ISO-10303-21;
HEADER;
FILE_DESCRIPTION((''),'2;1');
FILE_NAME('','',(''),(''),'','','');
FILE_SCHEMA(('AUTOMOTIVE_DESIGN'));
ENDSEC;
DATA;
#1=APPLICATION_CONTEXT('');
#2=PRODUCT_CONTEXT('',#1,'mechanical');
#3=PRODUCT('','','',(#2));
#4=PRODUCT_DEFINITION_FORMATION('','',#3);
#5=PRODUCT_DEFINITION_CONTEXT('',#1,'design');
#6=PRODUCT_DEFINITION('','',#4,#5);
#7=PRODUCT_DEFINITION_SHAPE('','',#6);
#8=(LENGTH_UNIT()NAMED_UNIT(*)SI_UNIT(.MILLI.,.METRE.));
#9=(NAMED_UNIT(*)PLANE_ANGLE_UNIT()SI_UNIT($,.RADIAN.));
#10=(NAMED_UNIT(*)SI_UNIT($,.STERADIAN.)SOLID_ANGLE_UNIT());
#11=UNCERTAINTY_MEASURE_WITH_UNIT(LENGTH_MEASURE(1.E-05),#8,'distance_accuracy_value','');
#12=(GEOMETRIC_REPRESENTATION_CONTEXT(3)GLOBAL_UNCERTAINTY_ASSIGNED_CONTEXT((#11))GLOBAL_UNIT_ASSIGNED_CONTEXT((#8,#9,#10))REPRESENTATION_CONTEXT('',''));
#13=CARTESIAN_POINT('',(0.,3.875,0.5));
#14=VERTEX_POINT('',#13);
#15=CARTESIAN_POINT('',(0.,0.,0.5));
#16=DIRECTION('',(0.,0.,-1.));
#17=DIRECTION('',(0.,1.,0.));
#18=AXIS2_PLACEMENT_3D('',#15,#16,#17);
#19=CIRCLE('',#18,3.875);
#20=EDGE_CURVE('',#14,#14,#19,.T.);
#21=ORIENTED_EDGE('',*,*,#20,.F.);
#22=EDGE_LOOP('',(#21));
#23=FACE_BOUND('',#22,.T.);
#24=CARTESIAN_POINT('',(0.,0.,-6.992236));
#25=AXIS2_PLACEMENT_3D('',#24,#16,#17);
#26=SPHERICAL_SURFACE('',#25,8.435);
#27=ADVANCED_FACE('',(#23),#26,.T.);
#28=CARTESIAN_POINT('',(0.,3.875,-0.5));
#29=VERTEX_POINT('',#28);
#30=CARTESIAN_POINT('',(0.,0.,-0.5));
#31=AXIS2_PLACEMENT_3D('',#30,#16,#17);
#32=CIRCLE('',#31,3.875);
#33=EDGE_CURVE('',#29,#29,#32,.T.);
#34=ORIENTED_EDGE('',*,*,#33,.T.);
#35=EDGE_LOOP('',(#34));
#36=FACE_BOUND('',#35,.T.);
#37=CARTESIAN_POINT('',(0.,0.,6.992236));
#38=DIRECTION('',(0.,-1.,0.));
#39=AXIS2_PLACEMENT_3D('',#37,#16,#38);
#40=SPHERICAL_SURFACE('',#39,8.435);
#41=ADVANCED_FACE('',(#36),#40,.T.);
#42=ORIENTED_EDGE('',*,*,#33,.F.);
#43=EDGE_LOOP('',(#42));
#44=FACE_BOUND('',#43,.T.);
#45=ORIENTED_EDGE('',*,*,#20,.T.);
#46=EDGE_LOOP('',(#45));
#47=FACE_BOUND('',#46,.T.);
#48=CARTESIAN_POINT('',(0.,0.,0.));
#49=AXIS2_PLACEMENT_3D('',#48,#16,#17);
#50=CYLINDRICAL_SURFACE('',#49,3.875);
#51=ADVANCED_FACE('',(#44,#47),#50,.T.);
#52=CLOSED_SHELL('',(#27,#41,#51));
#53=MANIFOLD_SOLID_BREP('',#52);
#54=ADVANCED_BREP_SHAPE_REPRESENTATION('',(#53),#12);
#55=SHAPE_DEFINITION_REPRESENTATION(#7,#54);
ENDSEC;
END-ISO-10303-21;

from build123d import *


with BuildPart() as part:
    # Sketch3 → Revolve1 (revolve)
    with BuildSketch(Plane(origin=(0, 0, 0), x_dir=(0, 0, -1), z_dir=(1, 0, 0))):
        with BuildLine():
            Line((0, 3.875), (0, 0))
            Line((0, 0), (1.442764019, 0))
            ThreePointArc((1.442764019, 0), (1.203684818, 1.994017866), (0.5, 3.875))
            Line((0.5, 3.875), (0, 3.875))
        make_face()
        with BuildLine():
            ThreePointArc((-0.5, 3.875), (-1.203684818, 1.994017866), (-1.442764019, 0))
            Line((-1.442764019, 0), (0, 0))
            Line((0, 0), (0, 3.875))
            Line((0, 3.875), (-0.5, 3.875))
        make_face()
    revolve(axis=Axis((0, 0, 0), (0, 0, 1)))


solid = part.part
